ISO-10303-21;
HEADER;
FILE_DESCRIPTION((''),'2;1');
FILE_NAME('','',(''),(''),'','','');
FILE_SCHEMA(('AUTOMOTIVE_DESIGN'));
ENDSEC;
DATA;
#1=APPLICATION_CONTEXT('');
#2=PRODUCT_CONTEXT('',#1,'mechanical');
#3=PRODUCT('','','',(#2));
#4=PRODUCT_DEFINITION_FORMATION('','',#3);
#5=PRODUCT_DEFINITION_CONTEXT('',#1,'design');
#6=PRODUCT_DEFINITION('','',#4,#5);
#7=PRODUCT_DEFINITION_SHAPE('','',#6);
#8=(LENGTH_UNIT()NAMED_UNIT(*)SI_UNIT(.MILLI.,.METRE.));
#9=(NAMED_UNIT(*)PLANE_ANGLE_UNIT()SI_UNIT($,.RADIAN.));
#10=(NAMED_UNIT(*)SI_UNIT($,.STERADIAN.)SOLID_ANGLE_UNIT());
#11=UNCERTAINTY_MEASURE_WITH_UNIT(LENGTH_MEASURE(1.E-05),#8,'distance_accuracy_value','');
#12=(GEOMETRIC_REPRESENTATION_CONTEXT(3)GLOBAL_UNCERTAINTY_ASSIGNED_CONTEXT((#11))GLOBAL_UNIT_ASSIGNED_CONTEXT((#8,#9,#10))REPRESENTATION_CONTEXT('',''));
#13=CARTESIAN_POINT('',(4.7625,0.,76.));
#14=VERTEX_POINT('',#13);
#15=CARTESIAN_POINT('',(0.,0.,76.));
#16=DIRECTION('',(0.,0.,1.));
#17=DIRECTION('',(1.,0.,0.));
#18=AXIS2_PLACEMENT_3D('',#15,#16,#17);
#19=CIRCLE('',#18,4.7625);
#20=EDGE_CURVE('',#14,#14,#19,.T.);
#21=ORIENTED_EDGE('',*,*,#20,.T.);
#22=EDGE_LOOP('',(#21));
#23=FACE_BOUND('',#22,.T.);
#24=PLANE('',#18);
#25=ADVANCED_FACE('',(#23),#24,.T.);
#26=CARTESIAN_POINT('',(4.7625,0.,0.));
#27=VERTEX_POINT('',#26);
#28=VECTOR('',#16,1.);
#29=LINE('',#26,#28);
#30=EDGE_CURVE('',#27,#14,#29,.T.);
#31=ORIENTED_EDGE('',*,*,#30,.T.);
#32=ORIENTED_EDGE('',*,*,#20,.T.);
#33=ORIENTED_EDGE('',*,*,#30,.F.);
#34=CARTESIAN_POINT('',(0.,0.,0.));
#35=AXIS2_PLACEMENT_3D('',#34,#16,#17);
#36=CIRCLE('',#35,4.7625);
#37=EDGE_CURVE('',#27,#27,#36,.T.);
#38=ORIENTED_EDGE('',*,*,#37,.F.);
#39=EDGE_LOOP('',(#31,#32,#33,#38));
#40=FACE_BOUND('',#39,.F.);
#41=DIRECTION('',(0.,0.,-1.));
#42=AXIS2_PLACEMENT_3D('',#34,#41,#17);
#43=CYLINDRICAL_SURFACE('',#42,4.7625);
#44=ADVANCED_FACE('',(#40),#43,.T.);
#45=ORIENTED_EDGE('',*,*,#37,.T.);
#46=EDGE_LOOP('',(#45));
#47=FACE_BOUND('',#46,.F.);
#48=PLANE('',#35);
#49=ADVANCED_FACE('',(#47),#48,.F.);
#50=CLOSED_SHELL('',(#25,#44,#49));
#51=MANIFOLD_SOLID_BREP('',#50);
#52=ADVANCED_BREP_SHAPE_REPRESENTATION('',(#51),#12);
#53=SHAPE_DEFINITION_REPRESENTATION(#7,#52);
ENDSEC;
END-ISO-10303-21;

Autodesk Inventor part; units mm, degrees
ref_plane "YZ Plane" through (0, 0, 0) normal (1, 0, 0) x (0, 1, 0)
ref_plane "XZ Plane" through (0, 0, 0) normal (0, 1, 0) x (-1, 0, 0)
ref_plane "XY Plane" through (0, 0, 0) normal (0, 0, 1) x (1, 0, 0)
sketch "Sketch1" plane through (0, 0, 0) normal (0, 0, 1) x (1, 0, 0)
  circle A0 centre (0, 0) radius 4.7625
  dimension "d0" = 9.525
extrude "Extrusion1" add sketch "Sketch1" along normal blind 76
properties part number "1215_3-8 Roller Shaft_V1" material "Aluminum 6061"
